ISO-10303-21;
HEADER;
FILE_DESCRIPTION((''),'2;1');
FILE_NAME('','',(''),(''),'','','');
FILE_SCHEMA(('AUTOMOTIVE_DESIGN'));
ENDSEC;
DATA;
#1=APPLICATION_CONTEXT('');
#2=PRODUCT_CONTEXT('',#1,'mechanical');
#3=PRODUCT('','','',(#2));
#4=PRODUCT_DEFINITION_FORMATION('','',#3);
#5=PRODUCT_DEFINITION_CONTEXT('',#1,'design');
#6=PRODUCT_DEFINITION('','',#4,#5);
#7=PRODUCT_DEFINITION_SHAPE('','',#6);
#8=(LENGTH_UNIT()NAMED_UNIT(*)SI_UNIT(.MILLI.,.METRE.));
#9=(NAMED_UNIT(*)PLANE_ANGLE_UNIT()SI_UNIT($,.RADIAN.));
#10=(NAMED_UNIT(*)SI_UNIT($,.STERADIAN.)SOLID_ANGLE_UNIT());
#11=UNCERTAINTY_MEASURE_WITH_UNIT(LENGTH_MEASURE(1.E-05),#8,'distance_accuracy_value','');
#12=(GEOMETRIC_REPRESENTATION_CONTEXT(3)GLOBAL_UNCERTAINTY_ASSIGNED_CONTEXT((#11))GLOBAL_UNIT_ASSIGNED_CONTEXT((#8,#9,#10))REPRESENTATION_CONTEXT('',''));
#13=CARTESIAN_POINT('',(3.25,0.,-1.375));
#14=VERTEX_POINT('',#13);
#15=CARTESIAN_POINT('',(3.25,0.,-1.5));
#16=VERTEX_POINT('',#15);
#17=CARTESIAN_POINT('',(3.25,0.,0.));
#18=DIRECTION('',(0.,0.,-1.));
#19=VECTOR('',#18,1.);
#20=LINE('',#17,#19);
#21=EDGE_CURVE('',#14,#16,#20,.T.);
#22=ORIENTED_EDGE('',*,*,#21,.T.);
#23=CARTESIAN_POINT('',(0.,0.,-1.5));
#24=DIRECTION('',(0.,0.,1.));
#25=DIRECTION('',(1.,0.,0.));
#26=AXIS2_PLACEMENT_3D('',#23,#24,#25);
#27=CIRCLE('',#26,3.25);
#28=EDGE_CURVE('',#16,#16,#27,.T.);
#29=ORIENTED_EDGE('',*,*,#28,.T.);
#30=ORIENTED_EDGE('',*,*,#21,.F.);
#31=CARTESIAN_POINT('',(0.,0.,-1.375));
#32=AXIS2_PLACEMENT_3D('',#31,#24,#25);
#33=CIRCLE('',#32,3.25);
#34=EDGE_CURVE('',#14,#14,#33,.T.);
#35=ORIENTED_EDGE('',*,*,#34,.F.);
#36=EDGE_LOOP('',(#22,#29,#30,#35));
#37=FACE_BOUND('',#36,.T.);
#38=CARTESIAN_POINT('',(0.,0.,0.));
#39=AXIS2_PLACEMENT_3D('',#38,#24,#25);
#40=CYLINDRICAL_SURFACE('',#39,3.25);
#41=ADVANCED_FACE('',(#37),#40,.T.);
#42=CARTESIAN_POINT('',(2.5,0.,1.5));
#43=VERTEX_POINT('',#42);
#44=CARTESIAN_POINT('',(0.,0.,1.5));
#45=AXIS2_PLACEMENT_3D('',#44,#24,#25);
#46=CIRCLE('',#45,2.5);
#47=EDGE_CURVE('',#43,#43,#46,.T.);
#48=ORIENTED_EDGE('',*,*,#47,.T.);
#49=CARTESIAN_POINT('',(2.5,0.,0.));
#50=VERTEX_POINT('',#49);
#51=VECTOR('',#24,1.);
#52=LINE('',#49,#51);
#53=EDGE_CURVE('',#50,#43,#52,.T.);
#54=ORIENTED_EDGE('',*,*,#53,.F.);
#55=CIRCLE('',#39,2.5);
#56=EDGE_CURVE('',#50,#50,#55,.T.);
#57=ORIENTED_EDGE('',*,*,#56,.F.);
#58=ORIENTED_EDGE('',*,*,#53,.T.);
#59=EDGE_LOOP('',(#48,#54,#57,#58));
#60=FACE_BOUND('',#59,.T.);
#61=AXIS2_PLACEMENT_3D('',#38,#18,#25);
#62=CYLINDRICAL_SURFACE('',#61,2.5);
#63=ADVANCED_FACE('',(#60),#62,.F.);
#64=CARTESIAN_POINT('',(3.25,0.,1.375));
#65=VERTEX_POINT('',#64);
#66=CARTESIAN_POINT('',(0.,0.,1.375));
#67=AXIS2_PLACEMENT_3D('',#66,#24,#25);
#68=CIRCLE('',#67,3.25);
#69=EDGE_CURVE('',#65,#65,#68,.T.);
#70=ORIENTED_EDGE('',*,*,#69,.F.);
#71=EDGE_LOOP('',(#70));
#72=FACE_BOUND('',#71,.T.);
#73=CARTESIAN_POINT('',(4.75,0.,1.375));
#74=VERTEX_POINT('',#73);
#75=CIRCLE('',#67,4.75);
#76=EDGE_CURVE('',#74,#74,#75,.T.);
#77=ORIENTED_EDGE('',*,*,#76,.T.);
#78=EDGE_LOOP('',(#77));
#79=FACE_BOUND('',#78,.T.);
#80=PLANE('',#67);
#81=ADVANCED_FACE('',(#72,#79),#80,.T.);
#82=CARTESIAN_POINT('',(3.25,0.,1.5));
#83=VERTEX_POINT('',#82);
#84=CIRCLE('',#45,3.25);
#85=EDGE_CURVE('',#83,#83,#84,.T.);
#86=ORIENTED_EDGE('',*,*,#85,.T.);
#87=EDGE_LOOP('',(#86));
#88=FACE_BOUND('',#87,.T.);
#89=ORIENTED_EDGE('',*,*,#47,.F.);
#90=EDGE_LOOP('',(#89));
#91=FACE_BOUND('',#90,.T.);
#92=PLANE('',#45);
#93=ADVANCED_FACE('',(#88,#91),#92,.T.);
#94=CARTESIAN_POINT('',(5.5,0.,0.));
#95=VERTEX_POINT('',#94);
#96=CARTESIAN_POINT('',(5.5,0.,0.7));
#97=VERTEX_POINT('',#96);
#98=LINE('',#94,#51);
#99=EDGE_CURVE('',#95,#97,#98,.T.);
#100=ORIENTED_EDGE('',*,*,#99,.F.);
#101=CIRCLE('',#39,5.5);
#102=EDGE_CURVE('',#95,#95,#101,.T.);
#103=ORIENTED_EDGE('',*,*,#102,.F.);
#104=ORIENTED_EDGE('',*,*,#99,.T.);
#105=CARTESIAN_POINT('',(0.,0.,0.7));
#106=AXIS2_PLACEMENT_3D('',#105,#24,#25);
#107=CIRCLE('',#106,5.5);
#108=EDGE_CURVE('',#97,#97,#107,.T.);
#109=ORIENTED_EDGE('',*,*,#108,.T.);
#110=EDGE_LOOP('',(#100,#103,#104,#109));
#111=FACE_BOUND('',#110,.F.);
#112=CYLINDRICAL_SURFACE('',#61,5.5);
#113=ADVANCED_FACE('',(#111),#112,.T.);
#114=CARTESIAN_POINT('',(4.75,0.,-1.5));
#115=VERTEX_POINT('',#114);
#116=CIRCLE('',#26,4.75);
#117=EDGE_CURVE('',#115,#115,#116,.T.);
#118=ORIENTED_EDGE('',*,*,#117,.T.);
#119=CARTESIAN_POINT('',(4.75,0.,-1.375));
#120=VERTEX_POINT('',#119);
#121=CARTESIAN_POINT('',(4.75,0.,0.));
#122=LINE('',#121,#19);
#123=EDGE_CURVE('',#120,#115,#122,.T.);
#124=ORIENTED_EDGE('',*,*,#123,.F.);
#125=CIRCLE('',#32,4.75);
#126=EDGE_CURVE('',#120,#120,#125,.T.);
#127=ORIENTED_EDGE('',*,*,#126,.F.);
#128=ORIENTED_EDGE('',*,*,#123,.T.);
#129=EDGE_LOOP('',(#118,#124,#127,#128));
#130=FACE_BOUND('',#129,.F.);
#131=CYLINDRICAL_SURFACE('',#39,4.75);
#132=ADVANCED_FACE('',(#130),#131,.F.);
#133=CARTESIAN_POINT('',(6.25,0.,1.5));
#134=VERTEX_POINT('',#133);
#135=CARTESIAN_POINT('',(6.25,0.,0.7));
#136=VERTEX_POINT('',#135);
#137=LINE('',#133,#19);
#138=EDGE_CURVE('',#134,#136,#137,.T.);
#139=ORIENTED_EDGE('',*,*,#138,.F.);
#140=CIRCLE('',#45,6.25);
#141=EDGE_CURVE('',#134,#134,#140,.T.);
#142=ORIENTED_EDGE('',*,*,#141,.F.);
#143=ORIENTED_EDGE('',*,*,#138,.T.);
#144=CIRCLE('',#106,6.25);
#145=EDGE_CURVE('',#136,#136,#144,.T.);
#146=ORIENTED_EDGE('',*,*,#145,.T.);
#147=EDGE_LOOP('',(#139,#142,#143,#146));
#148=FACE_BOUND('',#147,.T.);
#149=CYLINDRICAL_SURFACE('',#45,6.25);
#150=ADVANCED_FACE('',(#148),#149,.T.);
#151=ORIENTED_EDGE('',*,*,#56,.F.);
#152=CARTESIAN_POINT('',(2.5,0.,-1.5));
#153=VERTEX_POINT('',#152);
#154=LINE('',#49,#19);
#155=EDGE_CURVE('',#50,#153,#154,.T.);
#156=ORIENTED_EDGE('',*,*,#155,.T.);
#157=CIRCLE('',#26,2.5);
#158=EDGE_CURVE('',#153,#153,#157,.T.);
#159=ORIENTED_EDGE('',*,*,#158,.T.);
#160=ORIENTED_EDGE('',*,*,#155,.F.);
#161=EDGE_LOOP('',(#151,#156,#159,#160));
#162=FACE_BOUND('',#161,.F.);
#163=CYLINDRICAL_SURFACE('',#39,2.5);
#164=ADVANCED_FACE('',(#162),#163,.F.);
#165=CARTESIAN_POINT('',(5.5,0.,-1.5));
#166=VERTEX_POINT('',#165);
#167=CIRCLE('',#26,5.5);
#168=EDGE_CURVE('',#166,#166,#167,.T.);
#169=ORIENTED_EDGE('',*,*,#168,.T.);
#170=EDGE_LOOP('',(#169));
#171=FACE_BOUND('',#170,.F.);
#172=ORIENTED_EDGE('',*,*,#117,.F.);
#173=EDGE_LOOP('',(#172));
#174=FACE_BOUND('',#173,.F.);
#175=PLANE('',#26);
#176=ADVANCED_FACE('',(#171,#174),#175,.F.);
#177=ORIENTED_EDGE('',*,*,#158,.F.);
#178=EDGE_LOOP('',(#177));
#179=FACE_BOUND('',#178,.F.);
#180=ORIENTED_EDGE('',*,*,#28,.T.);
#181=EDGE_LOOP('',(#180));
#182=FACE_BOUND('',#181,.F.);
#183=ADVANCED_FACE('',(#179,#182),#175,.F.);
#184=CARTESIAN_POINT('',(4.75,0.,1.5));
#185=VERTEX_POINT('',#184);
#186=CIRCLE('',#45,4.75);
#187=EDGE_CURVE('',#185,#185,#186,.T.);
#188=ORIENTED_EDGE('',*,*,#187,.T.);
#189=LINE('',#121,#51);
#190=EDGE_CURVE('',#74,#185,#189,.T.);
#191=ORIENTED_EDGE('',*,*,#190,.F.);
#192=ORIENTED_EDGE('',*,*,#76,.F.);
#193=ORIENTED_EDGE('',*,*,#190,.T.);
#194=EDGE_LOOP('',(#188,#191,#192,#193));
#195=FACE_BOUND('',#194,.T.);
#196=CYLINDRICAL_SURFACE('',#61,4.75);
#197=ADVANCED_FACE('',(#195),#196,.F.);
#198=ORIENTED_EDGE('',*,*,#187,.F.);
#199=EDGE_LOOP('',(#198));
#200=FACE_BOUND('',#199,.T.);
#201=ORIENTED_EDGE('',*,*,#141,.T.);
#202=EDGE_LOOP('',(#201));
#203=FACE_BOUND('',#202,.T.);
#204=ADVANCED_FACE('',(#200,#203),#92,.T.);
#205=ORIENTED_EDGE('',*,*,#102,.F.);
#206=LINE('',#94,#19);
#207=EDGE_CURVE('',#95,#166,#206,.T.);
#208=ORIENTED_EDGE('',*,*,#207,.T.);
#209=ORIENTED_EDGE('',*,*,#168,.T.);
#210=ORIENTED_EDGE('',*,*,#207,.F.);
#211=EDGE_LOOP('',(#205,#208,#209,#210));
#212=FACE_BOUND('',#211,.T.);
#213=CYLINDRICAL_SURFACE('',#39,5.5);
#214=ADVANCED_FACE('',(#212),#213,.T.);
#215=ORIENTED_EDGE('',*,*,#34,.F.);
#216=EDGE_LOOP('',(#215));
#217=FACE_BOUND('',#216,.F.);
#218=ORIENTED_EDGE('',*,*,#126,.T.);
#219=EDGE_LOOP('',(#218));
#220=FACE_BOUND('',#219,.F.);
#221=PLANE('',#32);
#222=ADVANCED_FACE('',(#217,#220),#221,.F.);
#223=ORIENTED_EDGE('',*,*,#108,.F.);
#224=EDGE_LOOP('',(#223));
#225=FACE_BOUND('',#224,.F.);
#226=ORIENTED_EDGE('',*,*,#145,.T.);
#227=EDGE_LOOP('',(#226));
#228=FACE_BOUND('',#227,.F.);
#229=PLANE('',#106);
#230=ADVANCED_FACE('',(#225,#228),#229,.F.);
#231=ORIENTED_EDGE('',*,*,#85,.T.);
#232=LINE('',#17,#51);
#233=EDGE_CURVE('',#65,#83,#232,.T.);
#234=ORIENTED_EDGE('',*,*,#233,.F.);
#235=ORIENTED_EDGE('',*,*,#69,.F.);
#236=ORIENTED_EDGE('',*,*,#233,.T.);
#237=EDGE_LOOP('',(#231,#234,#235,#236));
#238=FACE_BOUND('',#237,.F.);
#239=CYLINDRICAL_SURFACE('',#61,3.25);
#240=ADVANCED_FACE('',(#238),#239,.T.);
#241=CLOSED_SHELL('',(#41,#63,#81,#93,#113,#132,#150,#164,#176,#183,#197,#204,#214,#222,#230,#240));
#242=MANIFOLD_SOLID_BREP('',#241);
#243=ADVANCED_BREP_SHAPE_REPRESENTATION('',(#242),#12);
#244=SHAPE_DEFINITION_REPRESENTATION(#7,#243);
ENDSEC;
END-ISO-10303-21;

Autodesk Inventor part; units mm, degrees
ref_plane "YZ Plane" through (0, 0, 0) normal (1, 0, 0) x (0, 1, 0)
ref_plane "XZ Plane" through (0, 0, 0) normal (0, 1, 0) x (-1, 0, 0)
ref_plane "XY Plane" through (0, 0, 0) normal (0, 0, 1) x (1, 0, 0)
sketch "Sketch1" plane through (0, 0, 0) normal (0, 0, 1) x (1, 0, 0)
  circle A0 centre (0, 0) radius 2.5
  circle A1 centre (0, 0) radius 5.5
  circle A2 centre (0, 0) radius 4.75
  circle A3 centre (0, 0) radius 3.25
  dimension "d0" = 5
  dimension "d1" = 11
  dimension "d2" = 0.75
  dimension "d3" = 0.75
extrude "Extrusion1" add sketch "Sketch1" along normal mid plane 3
extrude "Extrusion2" add sketch "Sketch1" along normal mid plane 2.75 contours A2
sketch "Sketch2" plane through (0, 0, 1.5) normal (0, 0, 1) x (1, 0, 0)
  circle A0 centre (0, 0) radius 5.5 projected
  circle A1 centre (0, 0) radius 6.25
  dimension "d8" = 12.5
extrude "Extrusion3" add sketch "Sketch2" against normal blind 0.8
properties part number "F685ZZ" material "Steel, Carbon"
